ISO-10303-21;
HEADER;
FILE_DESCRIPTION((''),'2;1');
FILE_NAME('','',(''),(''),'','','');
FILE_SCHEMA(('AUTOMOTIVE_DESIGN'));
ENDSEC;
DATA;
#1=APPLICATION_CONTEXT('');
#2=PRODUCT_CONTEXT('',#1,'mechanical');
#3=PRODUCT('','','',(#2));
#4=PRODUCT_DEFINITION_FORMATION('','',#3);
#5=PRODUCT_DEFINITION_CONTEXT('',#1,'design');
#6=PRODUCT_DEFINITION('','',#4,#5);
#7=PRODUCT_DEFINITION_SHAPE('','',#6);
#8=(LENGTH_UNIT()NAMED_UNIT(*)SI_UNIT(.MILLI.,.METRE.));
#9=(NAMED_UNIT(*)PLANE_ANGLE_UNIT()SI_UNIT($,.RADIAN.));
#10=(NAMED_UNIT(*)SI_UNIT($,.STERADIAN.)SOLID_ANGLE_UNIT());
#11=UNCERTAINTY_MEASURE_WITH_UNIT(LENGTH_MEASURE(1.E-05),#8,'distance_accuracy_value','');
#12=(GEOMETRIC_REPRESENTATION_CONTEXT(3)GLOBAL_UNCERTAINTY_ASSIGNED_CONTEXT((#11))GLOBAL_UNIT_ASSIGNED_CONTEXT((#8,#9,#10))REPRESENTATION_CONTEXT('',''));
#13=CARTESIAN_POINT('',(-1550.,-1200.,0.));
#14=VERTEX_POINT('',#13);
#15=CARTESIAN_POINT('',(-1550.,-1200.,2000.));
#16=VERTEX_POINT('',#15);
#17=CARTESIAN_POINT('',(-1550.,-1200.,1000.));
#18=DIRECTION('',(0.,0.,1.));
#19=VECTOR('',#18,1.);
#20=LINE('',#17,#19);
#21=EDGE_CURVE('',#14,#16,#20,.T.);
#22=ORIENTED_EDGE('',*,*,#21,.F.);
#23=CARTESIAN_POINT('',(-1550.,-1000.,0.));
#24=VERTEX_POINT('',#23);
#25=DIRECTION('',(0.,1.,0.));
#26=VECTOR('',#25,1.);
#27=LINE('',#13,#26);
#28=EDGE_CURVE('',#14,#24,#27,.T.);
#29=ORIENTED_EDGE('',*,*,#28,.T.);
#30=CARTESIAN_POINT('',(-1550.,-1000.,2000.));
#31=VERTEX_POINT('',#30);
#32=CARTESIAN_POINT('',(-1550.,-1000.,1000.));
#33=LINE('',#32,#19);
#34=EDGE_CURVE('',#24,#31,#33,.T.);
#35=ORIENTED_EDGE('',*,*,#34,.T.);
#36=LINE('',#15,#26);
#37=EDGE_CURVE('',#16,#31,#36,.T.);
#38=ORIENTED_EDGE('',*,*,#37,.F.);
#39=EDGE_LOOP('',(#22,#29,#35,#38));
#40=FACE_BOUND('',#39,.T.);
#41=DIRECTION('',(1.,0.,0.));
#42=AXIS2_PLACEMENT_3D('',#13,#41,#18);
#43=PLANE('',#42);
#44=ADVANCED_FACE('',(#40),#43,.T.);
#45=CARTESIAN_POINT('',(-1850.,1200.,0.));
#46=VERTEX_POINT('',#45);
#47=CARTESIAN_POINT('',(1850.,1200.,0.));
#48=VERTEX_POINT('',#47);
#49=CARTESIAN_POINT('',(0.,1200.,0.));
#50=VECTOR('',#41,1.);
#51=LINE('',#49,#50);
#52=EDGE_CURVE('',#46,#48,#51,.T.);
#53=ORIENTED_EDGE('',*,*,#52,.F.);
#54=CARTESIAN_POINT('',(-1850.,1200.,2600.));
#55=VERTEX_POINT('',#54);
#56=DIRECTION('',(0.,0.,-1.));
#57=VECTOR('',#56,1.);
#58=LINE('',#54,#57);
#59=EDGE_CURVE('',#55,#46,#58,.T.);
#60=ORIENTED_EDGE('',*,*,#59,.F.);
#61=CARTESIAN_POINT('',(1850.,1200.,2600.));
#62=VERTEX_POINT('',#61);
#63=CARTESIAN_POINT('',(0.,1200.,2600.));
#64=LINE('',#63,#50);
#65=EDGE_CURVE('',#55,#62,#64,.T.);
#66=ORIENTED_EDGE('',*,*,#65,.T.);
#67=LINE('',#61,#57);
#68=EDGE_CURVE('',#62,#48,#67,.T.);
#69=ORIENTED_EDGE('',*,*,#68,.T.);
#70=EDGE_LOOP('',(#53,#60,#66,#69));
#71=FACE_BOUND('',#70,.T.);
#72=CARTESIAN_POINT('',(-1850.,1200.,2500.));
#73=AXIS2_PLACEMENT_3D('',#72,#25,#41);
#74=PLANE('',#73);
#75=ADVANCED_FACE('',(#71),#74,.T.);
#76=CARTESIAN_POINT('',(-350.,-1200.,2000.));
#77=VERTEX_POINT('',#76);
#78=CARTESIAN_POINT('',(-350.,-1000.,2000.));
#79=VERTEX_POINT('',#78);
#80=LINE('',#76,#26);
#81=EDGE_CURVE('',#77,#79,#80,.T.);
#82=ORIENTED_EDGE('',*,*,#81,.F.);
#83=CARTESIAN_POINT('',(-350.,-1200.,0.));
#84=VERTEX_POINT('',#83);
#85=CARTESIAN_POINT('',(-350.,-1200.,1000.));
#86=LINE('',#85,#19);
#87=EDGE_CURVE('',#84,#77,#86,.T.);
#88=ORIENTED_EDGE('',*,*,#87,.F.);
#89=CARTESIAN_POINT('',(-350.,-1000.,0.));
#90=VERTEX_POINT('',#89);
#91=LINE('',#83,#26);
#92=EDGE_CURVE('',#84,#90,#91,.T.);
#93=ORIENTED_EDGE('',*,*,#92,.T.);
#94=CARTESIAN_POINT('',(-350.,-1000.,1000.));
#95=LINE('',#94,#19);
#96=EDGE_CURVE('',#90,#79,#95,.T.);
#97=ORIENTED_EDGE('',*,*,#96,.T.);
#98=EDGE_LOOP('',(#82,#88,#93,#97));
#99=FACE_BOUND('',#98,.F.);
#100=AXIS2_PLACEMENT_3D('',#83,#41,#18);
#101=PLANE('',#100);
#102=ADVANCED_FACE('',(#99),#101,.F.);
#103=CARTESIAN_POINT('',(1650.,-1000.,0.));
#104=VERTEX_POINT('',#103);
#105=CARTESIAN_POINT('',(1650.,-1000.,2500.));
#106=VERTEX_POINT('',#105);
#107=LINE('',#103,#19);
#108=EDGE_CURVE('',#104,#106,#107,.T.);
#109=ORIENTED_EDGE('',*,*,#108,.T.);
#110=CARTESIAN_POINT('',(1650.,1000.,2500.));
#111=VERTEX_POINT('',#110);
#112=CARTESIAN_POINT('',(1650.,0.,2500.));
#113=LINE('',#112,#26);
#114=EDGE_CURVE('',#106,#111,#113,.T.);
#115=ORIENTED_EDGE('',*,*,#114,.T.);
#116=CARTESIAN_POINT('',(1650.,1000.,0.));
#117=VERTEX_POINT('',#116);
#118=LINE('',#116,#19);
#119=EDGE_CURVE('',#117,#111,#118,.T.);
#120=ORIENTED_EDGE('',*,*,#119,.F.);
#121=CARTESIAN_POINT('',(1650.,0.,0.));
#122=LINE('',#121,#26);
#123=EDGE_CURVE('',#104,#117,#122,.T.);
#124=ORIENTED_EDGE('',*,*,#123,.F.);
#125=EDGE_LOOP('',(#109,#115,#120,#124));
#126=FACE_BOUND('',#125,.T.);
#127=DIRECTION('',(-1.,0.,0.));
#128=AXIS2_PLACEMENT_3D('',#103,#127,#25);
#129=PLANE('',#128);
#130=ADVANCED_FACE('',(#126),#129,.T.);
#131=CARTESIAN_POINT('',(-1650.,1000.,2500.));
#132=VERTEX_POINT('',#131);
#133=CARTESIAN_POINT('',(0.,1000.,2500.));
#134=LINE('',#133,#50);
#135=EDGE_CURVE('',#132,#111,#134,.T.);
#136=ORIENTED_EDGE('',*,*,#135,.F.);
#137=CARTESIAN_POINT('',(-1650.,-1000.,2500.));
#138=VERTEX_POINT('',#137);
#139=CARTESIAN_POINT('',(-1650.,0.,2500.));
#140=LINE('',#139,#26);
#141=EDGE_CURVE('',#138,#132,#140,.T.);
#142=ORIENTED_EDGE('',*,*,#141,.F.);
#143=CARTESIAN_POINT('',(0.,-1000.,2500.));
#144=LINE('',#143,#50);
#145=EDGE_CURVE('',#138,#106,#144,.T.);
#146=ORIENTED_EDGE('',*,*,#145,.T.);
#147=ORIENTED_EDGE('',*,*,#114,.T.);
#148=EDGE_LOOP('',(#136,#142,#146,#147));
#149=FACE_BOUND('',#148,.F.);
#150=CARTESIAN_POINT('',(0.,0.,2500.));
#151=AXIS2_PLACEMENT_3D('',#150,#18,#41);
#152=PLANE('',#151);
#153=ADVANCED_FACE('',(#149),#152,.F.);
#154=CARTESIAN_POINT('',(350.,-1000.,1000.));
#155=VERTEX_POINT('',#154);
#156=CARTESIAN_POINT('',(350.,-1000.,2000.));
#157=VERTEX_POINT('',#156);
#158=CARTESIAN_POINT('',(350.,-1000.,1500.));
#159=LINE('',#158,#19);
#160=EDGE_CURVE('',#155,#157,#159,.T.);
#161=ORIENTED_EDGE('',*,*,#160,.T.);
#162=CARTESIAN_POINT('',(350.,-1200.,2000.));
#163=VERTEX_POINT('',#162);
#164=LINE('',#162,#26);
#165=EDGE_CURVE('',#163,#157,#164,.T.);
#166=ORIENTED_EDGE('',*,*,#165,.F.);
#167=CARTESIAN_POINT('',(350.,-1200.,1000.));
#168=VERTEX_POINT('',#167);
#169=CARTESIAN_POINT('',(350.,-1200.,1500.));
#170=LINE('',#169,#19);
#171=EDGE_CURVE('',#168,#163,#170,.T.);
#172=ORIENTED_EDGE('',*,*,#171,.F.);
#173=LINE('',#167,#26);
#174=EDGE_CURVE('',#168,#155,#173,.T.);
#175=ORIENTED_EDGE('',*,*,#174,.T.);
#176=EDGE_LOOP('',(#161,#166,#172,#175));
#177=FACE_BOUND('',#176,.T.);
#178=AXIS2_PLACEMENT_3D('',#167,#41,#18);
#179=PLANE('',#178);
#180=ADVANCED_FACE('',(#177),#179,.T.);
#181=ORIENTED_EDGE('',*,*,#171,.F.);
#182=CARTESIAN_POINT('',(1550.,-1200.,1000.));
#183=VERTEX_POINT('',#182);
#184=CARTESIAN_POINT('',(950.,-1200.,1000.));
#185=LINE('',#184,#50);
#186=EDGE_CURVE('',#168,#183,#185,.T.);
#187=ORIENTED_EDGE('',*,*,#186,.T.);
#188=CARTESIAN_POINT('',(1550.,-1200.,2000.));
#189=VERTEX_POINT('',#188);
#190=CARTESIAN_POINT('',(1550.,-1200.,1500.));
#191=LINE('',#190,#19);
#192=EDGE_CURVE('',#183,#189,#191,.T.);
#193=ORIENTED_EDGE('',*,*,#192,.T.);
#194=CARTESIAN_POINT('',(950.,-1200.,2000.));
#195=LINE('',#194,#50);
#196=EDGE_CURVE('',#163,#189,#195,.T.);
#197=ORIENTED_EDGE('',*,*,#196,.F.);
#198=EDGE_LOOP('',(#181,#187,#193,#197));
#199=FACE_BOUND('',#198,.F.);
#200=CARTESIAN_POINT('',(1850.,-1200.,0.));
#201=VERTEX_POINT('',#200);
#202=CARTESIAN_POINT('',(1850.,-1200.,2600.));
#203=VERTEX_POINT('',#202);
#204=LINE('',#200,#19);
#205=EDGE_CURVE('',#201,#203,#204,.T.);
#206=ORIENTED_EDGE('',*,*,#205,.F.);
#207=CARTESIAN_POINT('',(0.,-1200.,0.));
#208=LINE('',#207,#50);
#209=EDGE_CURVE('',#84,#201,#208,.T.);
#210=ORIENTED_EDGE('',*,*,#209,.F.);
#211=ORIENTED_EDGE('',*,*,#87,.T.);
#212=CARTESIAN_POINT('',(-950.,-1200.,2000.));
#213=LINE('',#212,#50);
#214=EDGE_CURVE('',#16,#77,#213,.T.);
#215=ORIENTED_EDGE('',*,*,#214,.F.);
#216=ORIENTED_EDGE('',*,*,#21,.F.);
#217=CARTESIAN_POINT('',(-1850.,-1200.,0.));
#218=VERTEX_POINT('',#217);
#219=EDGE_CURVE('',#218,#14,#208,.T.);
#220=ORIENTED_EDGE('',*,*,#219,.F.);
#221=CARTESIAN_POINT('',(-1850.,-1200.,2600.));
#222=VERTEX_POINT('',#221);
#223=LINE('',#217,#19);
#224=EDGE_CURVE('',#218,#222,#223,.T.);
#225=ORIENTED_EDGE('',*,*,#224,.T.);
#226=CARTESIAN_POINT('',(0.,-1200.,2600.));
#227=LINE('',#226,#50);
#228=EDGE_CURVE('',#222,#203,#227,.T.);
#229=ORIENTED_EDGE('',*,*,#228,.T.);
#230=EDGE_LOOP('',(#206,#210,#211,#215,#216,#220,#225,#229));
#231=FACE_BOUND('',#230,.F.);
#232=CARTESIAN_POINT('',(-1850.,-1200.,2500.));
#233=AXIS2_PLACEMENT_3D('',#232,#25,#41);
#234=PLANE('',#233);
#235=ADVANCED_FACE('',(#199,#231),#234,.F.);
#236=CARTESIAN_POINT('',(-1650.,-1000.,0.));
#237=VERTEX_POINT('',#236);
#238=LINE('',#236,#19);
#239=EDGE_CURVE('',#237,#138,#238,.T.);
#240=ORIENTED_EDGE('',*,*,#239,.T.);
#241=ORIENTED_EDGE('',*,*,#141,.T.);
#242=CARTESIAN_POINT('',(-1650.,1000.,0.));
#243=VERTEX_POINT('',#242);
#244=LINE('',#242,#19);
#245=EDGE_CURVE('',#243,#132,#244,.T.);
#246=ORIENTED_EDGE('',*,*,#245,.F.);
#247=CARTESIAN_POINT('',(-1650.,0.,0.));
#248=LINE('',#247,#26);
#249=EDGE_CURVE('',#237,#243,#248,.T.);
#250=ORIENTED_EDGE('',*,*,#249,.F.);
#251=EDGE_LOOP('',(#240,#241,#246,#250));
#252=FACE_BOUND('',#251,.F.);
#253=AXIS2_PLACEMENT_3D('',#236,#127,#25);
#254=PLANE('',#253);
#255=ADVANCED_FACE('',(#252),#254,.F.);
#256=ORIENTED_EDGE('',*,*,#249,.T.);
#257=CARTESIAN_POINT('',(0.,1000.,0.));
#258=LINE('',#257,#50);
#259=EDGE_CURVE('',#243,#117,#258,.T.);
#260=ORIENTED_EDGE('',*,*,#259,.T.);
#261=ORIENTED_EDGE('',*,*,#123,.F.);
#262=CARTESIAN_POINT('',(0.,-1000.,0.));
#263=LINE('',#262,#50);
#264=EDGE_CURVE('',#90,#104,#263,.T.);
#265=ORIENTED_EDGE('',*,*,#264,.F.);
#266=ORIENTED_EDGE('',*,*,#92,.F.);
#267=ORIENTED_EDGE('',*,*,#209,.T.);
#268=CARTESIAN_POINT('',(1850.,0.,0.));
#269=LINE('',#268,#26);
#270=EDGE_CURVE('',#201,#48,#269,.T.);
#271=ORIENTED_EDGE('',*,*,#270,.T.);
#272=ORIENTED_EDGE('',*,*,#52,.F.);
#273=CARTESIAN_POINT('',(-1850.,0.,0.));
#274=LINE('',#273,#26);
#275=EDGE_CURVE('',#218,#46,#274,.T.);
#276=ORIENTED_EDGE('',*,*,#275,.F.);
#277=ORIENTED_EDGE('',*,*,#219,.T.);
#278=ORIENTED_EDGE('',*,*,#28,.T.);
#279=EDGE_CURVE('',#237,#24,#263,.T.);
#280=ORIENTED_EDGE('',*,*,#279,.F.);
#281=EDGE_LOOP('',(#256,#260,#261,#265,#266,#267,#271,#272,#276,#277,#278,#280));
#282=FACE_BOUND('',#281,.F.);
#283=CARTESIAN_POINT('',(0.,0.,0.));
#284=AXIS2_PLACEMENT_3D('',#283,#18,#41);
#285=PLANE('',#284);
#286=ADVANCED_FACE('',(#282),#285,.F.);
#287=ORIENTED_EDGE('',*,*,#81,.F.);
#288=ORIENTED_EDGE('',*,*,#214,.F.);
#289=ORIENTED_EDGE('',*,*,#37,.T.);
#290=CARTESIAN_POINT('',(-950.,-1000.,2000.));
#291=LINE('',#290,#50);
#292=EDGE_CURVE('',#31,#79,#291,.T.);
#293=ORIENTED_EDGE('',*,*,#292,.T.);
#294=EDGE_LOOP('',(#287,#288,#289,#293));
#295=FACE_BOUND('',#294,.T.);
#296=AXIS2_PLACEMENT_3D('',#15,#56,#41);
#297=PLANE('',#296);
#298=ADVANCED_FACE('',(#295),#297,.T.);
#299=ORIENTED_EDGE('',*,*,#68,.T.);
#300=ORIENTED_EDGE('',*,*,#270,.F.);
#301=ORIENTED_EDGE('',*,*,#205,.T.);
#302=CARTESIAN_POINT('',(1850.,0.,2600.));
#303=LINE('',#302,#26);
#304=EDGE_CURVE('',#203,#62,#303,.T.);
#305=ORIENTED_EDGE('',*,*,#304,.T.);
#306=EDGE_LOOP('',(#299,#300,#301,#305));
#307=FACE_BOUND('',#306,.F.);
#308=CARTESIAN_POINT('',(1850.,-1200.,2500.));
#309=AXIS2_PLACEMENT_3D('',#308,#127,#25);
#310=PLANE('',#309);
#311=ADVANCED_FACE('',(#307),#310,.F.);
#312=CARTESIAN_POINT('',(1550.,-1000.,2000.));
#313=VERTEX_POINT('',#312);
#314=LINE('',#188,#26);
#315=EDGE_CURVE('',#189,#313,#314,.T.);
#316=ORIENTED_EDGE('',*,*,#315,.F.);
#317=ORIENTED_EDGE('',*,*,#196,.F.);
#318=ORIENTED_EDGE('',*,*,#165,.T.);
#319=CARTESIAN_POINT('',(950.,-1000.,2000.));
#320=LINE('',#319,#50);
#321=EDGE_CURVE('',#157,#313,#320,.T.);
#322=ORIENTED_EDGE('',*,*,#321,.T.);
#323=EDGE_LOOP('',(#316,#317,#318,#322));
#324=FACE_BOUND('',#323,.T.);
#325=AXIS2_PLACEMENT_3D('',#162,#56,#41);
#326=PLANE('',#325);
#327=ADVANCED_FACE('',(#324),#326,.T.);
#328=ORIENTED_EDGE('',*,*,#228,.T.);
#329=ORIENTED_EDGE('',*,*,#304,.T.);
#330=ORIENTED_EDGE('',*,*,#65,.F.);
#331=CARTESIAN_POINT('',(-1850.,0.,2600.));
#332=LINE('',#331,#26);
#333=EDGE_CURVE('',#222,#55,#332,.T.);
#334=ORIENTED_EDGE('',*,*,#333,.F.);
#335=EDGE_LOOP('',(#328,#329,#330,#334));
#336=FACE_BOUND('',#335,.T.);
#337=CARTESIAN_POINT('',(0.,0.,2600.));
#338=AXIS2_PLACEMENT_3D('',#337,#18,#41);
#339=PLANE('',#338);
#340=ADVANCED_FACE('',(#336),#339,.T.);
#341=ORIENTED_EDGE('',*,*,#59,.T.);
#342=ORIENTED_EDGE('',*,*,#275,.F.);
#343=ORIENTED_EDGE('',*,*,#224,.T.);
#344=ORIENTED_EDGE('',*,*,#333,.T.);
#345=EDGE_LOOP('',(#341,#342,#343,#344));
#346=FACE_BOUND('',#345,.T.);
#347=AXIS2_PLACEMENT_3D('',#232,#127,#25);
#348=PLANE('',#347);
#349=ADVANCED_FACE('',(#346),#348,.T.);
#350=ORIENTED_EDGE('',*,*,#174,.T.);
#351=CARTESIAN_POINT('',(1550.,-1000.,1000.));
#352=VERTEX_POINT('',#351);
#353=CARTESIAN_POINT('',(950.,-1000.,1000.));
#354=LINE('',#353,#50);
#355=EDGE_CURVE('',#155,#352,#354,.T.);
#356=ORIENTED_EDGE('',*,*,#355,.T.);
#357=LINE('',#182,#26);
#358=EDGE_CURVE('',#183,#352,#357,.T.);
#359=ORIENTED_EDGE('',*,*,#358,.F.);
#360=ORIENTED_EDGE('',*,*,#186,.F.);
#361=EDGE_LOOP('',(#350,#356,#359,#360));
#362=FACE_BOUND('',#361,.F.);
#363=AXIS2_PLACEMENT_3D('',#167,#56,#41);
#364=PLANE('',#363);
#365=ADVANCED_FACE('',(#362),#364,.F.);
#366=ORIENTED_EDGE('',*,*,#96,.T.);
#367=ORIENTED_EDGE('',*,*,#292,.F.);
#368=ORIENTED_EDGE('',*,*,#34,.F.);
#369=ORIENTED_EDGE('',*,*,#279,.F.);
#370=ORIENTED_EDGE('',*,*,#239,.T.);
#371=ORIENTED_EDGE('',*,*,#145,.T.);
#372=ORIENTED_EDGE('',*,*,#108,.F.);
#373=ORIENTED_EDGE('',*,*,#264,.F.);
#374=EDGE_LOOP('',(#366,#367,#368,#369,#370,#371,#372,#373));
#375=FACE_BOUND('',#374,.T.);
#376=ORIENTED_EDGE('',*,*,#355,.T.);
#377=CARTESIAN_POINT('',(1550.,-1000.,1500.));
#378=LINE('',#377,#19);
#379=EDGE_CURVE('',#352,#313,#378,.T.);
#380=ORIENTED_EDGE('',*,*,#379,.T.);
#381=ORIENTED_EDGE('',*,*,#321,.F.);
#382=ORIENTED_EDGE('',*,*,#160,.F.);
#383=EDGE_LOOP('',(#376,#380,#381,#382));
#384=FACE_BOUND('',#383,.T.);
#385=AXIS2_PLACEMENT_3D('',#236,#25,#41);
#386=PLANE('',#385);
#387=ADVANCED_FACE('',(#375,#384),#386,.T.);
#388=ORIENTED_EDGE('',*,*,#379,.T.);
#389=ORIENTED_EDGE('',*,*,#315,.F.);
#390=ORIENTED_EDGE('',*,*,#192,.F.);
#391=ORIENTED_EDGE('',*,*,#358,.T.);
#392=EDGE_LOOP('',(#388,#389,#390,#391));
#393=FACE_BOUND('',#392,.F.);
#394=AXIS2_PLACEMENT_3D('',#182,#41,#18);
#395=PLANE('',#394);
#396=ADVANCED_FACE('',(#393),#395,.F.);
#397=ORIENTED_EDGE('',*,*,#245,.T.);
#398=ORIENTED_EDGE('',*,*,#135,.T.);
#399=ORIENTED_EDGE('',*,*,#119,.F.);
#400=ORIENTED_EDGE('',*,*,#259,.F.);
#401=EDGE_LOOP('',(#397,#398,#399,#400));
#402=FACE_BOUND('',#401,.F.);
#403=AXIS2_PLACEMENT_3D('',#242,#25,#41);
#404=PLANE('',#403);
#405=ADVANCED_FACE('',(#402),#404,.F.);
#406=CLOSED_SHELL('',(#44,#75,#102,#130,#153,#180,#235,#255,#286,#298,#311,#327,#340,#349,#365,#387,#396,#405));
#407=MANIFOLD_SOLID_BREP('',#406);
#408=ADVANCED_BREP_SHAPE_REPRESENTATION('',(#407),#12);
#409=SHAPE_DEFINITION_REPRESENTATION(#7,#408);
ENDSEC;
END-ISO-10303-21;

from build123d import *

# Parameters (mm, degrees)
F0_W     = 3700
F0_H     = 2400
F0_W_2   = 3300
F0_H_2   = 2000
F1_DEPTH = 2500
F2_W     = 3700
F2_H     = 2400
F3_DEPTH = 100
F4_W     = 1200
F4_H     = 2000
F4_H_2   = 1000
F5_DEPTH = 200


with BuildPart() as f1:
    # F0 (on Top) → F1 (new body)
    with BuildSketch(Plane.XY):
        Rectangle(F0_W, F0_H)
        Rectangle(F0_W_2, F0_H_2, mode=Mode.SUBTRACT)
    extrude(amount=F1_DEPTH)

    # F2 (on face) → F3 (join)
    with BuildSketch(Plane.XY.offset(2500)):
        Rectangle(F2_W, F2_H)
    extrude(amount=F3_DEPTH)

    # F4 (on face) → F5 (cut, through all)
    with BuildSketch(Plane.XZ.offset(1200)):
        with Locations((-950, 1000)):
            Rectangle(F4_W, F4_H)
        with Locations((950, 1500)):
            Rectangle(F4_W, F4_H_2)
    extrude(amount=-F5_DEPTH, mode=Mode.SUBTRACT)


solid = f1.part
